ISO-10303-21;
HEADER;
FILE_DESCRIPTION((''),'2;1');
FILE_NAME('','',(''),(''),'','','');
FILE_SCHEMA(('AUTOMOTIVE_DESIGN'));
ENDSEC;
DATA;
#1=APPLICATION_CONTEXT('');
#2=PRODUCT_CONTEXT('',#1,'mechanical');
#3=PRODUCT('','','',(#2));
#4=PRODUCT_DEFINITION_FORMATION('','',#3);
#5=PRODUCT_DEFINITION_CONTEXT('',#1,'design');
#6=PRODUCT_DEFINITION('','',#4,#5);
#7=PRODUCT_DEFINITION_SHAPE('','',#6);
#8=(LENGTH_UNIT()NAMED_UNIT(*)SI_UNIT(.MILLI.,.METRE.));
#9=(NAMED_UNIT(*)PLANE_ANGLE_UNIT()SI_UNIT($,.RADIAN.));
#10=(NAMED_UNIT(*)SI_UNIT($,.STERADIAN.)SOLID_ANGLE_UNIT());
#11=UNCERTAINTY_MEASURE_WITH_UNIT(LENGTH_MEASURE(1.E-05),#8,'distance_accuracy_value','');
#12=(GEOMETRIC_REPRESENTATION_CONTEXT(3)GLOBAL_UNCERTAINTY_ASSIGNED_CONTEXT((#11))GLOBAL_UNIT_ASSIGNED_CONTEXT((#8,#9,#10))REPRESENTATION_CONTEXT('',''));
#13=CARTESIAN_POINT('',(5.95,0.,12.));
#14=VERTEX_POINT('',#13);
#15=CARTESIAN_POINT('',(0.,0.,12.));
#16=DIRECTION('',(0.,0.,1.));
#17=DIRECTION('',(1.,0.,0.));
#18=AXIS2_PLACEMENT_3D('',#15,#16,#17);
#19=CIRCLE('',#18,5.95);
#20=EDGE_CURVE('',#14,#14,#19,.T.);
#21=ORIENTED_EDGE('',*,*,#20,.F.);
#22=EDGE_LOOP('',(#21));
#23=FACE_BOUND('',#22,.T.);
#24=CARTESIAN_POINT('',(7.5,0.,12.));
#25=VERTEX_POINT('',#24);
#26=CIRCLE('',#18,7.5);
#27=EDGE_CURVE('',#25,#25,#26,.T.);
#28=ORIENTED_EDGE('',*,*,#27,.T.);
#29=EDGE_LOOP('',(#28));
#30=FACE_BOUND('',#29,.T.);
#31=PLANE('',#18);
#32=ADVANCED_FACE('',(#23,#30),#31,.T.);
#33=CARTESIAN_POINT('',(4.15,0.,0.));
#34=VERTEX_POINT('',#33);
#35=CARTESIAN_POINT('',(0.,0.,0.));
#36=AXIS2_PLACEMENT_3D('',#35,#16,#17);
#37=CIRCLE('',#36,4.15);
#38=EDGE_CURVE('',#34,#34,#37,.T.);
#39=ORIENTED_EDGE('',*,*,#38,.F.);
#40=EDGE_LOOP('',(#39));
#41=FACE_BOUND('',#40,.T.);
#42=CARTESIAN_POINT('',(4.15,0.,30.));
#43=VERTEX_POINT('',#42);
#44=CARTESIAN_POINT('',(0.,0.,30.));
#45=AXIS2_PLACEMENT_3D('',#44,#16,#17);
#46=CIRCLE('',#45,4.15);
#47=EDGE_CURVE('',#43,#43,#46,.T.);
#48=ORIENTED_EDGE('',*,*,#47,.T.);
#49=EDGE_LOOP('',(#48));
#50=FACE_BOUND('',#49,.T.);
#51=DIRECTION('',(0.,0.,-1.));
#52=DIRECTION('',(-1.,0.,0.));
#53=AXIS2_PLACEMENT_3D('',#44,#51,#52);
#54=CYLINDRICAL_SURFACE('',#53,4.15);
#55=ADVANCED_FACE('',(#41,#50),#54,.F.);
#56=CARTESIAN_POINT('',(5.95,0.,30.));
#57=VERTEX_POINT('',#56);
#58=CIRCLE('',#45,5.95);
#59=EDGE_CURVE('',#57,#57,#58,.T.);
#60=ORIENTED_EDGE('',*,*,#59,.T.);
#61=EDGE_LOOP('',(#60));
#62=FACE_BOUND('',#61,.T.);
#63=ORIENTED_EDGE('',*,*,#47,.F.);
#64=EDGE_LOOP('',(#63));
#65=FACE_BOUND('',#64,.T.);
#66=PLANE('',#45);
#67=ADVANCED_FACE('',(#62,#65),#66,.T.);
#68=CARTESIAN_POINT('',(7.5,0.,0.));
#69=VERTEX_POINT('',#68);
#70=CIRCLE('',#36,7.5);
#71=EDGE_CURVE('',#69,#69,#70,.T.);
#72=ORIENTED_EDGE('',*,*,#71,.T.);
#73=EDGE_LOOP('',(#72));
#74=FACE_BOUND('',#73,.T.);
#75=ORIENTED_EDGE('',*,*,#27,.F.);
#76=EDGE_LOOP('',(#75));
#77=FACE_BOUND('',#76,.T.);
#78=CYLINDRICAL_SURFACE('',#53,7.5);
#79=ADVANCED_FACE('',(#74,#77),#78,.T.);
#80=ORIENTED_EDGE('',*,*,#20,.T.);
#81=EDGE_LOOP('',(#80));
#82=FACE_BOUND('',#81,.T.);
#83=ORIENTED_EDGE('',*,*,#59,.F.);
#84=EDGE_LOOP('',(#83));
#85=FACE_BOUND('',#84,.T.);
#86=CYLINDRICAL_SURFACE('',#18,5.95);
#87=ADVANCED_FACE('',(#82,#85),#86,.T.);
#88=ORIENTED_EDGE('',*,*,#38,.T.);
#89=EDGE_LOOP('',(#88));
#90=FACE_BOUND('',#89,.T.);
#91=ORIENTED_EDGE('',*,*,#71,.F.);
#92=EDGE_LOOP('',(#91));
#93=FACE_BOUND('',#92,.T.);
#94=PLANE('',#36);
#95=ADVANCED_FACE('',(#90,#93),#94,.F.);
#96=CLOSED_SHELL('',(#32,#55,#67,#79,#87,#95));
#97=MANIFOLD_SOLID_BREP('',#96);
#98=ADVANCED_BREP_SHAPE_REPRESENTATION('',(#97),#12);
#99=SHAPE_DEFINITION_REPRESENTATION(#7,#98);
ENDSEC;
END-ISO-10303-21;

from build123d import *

# Parameters (mm, degrees)
SKETCH1_R           = 7.5
SKETCH1_R_2         = 4.15
BOSS_EXTRUDE1_DEPTH = 30
CUT_EXTRUDE1_START  = -18
SKETCH2_R           = 7.5
SKETCH2_R_2         = 5.95
CUT_EXTRUDE1_DEPTH  = 18


with BuildPart() as part:
    # Sketch1 → Boss-Extrude1 (new body)
    with BuildSketch(Plane.XY):
        Circle(SKETCH1_R)
        Circle(SKETCH1_R_2, mode=Mode.SUBTRACT)
    extrude(amount=BOSS_EXTRUDE1_DEPTH)

    # Sketch2 → Cut-Extrude1 (cut)
    with BuildSketch(Plane.XY.offset(30).offset(CUT_EXTRUDE1_START)):
        Circle(SKETCH2_R)
        Circle(SKETCH2_R_2, mode=Mode.SUBTRACT)
    extrude(amount=CUT_EXTRUDE1_DEPTH, mode=Mode.SUBTRACT)


solid = part.part
